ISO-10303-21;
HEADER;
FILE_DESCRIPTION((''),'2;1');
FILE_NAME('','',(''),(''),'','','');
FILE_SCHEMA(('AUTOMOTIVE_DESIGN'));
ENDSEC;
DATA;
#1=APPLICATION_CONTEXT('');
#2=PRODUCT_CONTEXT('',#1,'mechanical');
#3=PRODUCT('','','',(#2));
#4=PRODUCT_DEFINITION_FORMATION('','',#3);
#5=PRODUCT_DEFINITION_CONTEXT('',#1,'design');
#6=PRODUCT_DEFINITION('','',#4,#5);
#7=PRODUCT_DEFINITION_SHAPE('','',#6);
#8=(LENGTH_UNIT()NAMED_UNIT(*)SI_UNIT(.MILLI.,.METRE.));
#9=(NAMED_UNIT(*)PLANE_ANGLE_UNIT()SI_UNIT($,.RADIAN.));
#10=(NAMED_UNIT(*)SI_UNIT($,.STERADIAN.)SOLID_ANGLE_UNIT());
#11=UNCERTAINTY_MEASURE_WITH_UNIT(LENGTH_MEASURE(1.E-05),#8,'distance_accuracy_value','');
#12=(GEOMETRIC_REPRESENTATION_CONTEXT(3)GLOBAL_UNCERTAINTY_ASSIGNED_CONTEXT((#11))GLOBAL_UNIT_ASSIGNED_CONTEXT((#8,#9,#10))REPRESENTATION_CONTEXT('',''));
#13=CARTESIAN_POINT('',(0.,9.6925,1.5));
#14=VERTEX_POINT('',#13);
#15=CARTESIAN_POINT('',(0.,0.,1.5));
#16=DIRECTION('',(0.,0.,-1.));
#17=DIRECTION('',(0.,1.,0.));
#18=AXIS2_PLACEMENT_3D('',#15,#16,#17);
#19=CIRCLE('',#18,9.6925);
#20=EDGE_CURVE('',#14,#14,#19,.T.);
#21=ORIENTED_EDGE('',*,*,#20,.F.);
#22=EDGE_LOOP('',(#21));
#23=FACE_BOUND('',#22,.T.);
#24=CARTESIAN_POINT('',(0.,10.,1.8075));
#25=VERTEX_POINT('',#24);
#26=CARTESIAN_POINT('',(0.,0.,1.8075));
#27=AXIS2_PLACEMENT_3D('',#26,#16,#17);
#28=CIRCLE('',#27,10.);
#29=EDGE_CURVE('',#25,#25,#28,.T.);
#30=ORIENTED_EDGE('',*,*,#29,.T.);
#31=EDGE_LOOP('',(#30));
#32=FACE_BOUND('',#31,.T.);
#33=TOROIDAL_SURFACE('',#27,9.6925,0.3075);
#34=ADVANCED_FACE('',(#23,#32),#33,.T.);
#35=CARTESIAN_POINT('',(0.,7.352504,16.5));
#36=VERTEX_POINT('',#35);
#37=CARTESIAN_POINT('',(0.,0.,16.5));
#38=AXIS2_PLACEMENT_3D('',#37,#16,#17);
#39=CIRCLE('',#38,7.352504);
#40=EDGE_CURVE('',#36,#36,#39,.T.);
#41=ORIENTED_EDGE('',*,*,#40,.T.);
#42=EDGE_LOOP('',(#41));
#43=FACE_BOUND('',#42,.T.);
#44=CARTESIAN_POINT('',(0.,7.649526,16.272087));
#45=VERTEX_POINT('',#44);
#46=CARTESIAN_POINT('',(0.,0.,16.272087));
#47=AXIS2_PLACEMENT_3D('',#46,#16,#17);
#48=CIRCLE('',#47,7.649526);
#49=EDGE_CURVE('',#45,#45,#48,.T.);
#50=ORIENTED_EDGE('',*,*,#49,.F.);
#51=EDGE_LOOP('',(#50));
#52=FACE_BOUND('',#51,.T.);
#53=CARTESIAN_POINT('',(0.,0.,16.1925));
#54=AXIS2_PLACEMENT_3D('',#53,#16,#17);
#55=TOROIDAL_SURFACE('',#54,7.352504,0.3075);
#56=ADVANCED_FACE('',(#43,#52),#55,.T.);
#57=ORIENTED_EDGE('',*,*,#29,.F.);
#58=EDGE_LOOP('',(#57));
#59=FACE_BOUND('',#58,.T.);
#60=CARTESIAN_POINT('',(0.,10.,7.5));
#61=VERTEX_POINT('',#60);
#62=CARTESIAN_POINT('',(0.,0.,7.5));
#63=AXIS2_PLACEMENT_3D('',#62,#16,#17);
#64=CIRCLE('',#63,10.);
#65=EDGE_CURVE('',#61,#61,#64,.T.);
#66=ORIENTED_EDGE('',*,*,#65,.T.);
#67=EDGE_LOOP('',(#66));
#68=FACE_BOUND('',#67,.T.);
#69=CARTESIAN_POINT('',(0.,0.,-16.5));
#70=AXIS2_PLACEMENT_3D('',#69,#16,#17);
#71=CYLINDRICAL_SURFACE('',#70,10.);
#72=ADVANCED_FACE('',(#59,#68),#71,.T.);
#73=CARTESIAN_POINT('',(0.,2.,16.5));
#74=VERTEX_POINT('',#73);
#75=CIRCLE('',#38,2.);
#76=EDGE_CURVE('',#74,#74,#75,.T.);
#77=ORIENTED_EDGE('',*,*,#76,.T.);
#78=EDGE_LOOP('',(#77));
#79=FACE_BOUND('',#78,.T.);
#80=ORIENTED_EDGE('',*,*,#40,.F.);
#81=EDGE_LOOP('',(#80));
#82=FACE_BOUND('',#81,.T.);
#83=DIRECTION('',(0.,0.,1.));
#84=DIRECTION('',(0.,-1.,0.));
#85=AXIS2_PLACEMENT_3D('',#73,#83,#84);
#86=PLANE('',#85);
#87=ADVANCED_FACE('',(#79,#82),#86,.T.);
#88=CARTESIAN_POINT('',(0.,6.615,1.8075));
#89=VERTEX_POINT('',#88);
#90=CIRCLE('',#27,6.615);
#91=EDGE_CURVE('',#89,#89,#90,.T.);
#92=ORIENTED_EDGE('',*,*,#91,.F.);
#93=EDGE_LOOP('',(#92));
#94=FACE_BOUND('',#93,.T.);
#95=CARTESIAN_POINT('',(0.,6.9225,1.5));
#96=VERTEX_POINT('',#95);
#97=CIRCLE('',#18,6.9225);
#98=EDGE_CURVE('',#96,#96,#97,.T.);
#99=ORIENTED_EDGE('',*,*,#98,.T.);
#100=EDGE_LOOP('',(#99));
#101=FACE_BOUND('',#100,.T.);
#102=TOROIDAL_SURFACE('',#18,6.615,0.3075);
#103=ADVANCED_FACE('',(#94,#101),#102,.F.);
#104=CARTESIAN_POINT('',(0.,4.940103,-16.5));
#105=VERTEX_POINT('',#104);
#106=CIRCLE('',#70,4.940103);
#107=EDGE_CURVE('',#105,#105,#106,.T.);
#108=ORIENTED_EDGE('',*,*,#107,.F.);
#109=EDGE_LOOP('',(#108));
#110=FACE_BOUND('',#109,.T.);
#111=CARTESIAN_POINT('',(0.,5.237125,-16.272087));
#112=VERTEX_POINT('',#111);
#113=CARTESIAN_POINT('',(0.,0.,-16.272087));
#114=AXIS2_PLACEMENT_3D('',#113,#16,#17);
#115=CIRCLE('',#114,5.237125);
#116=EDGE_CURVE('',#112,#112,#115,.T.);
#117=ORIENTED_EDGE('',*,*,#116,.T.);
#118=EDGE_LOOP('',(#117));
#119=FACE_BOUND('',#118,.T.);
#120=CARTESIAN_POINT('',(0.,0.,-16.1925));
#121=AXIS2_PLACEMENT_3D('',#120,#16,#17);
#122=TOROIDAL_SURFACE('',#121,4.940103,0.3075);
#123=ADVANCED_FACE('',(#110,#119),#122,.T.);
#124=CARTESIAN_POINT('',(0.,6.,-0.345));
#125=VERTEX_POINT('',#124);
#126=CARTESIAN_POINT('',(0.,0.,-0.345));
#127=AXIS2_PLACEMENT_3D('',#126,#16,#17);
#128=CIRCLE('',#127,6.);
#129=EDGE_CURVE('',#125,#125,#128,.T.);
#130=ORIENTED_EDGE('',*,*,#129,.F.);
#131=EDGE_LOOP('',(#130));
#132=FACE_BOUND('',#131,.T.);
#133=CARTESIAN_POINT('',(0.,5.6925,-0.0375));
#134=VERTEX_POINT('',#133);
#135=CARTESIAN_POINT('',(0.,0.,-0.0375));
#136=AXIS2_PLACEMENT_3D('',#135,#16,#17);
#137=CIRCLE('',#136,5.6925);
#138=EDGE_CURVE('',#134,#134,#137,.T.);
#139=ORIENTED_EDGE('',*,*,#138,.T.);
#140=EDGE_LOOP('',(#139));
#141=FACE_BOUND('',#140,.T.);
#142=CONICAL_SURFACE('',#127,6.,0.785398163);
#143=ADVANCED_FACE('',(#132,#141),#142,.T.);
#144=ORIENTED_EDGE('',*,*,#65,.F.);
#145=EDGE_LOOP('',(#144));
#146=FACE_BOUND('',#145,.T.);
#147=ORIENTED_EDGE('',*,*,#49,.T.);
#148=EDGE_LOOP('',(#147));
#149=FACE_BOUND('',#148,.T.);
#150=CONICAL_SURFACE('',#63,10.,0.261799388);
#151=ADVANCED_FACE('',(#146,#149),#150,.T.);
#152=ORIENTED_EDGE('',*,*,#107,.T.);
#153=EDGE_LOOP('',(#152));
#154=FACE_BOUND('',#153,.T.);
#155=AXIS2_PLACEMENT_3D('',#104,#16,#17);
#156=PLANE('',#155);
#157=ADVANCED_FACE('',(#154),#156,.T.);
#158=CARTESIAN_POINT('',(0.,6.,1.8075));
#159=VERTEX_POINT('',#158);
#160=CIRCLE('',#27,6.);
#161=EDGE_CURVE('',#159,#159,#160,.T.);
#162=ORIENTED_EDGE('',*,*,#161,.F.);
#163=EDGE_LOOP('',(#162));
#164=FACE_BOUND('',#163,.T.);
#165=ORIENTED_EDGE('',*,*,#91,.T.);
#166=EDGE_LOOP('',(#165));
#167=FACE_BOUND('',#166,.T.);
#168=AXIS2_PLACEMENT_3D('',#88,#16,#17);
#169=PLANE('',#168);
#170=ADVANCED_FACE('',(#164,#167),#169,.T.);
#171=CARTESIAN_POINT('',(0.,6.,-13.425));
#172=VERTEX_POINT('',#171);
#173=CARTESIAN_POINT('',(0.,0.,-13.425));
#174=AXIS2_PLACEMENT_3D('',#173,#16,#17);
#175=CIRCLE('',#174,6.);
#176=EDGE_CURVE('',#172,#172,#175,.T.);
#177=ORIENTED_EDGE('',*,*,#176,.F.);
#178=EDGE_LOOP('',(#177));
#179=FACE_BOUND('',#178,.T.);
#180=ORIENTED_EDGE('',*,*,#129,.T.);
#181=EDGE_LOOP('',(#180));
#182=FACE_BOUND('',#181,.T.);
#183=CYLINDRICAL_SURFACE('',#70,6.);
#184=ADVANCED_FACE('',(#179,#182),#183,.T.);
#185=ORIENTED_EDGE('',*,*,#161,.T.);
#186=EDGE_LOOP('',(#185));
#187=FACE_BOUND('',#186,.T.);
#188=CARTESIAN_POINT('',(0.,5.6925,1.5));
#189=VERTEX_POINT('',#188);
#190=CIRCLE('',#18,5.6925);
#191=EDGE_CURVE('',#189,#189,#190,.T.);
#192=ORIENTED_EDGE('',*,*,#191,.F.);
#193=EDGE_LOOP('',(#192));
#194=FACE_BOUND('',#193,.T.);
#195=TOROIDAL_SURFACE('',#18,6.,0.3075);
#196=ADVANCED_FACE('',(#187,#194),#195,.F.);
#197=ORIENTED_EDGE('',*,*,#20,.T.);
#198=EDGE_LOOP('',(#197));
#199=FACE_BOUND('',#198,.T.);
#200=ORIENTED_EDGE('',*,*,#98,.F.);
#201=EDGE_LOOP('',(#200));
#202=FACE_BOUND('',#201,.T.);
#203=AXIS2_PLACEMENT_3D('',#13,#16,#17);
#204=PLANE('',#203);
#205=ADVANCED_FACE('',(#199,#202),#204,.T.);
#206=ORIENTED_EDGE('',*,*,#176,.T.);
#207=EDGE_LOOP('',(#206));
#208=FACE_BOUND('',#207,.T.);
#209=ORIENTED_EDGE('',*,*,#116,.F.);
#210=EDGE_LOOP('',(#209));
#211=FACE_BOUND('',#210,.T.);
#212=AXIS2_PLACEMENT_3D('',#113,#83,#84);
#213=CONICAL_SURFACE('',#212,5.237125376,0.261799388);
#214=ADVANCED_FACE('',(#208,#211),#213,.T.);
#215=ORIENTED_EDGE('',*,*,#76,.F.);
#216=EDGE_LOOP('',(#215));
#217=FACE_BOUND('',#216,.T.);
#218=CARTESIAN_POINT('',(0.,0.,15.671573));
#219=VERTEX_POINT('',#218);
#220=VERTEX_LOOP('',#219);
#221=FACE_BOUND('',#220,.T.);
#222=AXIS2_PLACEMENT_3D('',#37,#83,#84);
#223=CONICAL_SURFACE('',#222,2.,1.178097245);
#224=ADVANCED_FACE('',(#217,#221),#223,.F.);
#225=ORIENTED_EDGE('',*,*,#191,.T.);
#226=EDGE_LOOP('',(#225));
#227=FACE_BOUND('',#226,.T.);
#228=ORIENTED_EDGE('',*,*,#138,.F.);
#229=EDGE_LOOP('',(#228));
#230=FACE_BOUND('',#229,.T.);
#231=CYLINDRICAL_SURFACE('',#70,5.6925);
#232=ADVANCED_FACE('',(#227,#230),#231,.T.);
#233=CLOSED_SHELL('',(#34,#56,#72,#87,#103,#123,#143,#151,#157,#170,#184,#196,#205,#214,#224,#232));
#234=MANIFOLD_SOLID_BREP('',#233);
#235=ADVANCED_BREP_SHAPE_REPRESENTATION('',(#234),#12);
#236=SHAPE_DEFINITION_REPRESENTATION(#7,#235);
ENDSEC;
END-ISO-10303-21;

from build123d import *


with BuildPart() as part:
    # Sketch1 → Revolve1 (revolve)
    with BuildSketch(Plane(origin=(0, 0, 0), x_dir=(0, 0, -1), z_dir=(1, 0, 0))):
        with BuildLine():
            Line((-16.5, 2), (-16.5, 7.352504219))
            ThreePointArc((-16.5, 7.352504219), (-16.436456152, 7.539698359), (-16.272086856, 7.649526411))
            Line((-16.272086856, 7.649526411), (-7.5, 10))
            Line((-7.5, 10), (-1.8075, 10))
            ThreePointArc((-1.8075, 10), (-1.590064665, 9.909935335), (-1.5, 9.6925))
            Line((-1.5, 9.6925), (-1.5, 6.9225))
            ThreePointArc((-1.5, 6.9225), (-1.717435335, 6.832435335), (-1.8075, 6.615))
            Line((-1.8075, 6.615), (-1.8075, 6))
            ThreePointArc((-1.8075, 6), (-1.717435335, 5.782564665), (-1.5, 5.6925))
            Line((-1.5, 5.6925), (0.0375, 5.6925))
            Line((0.0375, 5.6925), (0.345, 6))
            Line((0.345, 6), (13.425, 6))
            Line((13.425, 6), (16.272086856, 5.237125376))
            ThreePointArc((16.272086856, 5.237125376), (16.436456152, 5.127297324), (16.5, 4.940103184))
            Line((16.5, 4.940103184), (16.5, 0))
            Line((16.5, 0), (-15.671572875, 0))
            Line((-15.671572875, 0), (-16.5, 2))
        make_face()
    revolve(axis=Axis((0, 0, -16.5), (0, 0, 1)))


solid = part.part
